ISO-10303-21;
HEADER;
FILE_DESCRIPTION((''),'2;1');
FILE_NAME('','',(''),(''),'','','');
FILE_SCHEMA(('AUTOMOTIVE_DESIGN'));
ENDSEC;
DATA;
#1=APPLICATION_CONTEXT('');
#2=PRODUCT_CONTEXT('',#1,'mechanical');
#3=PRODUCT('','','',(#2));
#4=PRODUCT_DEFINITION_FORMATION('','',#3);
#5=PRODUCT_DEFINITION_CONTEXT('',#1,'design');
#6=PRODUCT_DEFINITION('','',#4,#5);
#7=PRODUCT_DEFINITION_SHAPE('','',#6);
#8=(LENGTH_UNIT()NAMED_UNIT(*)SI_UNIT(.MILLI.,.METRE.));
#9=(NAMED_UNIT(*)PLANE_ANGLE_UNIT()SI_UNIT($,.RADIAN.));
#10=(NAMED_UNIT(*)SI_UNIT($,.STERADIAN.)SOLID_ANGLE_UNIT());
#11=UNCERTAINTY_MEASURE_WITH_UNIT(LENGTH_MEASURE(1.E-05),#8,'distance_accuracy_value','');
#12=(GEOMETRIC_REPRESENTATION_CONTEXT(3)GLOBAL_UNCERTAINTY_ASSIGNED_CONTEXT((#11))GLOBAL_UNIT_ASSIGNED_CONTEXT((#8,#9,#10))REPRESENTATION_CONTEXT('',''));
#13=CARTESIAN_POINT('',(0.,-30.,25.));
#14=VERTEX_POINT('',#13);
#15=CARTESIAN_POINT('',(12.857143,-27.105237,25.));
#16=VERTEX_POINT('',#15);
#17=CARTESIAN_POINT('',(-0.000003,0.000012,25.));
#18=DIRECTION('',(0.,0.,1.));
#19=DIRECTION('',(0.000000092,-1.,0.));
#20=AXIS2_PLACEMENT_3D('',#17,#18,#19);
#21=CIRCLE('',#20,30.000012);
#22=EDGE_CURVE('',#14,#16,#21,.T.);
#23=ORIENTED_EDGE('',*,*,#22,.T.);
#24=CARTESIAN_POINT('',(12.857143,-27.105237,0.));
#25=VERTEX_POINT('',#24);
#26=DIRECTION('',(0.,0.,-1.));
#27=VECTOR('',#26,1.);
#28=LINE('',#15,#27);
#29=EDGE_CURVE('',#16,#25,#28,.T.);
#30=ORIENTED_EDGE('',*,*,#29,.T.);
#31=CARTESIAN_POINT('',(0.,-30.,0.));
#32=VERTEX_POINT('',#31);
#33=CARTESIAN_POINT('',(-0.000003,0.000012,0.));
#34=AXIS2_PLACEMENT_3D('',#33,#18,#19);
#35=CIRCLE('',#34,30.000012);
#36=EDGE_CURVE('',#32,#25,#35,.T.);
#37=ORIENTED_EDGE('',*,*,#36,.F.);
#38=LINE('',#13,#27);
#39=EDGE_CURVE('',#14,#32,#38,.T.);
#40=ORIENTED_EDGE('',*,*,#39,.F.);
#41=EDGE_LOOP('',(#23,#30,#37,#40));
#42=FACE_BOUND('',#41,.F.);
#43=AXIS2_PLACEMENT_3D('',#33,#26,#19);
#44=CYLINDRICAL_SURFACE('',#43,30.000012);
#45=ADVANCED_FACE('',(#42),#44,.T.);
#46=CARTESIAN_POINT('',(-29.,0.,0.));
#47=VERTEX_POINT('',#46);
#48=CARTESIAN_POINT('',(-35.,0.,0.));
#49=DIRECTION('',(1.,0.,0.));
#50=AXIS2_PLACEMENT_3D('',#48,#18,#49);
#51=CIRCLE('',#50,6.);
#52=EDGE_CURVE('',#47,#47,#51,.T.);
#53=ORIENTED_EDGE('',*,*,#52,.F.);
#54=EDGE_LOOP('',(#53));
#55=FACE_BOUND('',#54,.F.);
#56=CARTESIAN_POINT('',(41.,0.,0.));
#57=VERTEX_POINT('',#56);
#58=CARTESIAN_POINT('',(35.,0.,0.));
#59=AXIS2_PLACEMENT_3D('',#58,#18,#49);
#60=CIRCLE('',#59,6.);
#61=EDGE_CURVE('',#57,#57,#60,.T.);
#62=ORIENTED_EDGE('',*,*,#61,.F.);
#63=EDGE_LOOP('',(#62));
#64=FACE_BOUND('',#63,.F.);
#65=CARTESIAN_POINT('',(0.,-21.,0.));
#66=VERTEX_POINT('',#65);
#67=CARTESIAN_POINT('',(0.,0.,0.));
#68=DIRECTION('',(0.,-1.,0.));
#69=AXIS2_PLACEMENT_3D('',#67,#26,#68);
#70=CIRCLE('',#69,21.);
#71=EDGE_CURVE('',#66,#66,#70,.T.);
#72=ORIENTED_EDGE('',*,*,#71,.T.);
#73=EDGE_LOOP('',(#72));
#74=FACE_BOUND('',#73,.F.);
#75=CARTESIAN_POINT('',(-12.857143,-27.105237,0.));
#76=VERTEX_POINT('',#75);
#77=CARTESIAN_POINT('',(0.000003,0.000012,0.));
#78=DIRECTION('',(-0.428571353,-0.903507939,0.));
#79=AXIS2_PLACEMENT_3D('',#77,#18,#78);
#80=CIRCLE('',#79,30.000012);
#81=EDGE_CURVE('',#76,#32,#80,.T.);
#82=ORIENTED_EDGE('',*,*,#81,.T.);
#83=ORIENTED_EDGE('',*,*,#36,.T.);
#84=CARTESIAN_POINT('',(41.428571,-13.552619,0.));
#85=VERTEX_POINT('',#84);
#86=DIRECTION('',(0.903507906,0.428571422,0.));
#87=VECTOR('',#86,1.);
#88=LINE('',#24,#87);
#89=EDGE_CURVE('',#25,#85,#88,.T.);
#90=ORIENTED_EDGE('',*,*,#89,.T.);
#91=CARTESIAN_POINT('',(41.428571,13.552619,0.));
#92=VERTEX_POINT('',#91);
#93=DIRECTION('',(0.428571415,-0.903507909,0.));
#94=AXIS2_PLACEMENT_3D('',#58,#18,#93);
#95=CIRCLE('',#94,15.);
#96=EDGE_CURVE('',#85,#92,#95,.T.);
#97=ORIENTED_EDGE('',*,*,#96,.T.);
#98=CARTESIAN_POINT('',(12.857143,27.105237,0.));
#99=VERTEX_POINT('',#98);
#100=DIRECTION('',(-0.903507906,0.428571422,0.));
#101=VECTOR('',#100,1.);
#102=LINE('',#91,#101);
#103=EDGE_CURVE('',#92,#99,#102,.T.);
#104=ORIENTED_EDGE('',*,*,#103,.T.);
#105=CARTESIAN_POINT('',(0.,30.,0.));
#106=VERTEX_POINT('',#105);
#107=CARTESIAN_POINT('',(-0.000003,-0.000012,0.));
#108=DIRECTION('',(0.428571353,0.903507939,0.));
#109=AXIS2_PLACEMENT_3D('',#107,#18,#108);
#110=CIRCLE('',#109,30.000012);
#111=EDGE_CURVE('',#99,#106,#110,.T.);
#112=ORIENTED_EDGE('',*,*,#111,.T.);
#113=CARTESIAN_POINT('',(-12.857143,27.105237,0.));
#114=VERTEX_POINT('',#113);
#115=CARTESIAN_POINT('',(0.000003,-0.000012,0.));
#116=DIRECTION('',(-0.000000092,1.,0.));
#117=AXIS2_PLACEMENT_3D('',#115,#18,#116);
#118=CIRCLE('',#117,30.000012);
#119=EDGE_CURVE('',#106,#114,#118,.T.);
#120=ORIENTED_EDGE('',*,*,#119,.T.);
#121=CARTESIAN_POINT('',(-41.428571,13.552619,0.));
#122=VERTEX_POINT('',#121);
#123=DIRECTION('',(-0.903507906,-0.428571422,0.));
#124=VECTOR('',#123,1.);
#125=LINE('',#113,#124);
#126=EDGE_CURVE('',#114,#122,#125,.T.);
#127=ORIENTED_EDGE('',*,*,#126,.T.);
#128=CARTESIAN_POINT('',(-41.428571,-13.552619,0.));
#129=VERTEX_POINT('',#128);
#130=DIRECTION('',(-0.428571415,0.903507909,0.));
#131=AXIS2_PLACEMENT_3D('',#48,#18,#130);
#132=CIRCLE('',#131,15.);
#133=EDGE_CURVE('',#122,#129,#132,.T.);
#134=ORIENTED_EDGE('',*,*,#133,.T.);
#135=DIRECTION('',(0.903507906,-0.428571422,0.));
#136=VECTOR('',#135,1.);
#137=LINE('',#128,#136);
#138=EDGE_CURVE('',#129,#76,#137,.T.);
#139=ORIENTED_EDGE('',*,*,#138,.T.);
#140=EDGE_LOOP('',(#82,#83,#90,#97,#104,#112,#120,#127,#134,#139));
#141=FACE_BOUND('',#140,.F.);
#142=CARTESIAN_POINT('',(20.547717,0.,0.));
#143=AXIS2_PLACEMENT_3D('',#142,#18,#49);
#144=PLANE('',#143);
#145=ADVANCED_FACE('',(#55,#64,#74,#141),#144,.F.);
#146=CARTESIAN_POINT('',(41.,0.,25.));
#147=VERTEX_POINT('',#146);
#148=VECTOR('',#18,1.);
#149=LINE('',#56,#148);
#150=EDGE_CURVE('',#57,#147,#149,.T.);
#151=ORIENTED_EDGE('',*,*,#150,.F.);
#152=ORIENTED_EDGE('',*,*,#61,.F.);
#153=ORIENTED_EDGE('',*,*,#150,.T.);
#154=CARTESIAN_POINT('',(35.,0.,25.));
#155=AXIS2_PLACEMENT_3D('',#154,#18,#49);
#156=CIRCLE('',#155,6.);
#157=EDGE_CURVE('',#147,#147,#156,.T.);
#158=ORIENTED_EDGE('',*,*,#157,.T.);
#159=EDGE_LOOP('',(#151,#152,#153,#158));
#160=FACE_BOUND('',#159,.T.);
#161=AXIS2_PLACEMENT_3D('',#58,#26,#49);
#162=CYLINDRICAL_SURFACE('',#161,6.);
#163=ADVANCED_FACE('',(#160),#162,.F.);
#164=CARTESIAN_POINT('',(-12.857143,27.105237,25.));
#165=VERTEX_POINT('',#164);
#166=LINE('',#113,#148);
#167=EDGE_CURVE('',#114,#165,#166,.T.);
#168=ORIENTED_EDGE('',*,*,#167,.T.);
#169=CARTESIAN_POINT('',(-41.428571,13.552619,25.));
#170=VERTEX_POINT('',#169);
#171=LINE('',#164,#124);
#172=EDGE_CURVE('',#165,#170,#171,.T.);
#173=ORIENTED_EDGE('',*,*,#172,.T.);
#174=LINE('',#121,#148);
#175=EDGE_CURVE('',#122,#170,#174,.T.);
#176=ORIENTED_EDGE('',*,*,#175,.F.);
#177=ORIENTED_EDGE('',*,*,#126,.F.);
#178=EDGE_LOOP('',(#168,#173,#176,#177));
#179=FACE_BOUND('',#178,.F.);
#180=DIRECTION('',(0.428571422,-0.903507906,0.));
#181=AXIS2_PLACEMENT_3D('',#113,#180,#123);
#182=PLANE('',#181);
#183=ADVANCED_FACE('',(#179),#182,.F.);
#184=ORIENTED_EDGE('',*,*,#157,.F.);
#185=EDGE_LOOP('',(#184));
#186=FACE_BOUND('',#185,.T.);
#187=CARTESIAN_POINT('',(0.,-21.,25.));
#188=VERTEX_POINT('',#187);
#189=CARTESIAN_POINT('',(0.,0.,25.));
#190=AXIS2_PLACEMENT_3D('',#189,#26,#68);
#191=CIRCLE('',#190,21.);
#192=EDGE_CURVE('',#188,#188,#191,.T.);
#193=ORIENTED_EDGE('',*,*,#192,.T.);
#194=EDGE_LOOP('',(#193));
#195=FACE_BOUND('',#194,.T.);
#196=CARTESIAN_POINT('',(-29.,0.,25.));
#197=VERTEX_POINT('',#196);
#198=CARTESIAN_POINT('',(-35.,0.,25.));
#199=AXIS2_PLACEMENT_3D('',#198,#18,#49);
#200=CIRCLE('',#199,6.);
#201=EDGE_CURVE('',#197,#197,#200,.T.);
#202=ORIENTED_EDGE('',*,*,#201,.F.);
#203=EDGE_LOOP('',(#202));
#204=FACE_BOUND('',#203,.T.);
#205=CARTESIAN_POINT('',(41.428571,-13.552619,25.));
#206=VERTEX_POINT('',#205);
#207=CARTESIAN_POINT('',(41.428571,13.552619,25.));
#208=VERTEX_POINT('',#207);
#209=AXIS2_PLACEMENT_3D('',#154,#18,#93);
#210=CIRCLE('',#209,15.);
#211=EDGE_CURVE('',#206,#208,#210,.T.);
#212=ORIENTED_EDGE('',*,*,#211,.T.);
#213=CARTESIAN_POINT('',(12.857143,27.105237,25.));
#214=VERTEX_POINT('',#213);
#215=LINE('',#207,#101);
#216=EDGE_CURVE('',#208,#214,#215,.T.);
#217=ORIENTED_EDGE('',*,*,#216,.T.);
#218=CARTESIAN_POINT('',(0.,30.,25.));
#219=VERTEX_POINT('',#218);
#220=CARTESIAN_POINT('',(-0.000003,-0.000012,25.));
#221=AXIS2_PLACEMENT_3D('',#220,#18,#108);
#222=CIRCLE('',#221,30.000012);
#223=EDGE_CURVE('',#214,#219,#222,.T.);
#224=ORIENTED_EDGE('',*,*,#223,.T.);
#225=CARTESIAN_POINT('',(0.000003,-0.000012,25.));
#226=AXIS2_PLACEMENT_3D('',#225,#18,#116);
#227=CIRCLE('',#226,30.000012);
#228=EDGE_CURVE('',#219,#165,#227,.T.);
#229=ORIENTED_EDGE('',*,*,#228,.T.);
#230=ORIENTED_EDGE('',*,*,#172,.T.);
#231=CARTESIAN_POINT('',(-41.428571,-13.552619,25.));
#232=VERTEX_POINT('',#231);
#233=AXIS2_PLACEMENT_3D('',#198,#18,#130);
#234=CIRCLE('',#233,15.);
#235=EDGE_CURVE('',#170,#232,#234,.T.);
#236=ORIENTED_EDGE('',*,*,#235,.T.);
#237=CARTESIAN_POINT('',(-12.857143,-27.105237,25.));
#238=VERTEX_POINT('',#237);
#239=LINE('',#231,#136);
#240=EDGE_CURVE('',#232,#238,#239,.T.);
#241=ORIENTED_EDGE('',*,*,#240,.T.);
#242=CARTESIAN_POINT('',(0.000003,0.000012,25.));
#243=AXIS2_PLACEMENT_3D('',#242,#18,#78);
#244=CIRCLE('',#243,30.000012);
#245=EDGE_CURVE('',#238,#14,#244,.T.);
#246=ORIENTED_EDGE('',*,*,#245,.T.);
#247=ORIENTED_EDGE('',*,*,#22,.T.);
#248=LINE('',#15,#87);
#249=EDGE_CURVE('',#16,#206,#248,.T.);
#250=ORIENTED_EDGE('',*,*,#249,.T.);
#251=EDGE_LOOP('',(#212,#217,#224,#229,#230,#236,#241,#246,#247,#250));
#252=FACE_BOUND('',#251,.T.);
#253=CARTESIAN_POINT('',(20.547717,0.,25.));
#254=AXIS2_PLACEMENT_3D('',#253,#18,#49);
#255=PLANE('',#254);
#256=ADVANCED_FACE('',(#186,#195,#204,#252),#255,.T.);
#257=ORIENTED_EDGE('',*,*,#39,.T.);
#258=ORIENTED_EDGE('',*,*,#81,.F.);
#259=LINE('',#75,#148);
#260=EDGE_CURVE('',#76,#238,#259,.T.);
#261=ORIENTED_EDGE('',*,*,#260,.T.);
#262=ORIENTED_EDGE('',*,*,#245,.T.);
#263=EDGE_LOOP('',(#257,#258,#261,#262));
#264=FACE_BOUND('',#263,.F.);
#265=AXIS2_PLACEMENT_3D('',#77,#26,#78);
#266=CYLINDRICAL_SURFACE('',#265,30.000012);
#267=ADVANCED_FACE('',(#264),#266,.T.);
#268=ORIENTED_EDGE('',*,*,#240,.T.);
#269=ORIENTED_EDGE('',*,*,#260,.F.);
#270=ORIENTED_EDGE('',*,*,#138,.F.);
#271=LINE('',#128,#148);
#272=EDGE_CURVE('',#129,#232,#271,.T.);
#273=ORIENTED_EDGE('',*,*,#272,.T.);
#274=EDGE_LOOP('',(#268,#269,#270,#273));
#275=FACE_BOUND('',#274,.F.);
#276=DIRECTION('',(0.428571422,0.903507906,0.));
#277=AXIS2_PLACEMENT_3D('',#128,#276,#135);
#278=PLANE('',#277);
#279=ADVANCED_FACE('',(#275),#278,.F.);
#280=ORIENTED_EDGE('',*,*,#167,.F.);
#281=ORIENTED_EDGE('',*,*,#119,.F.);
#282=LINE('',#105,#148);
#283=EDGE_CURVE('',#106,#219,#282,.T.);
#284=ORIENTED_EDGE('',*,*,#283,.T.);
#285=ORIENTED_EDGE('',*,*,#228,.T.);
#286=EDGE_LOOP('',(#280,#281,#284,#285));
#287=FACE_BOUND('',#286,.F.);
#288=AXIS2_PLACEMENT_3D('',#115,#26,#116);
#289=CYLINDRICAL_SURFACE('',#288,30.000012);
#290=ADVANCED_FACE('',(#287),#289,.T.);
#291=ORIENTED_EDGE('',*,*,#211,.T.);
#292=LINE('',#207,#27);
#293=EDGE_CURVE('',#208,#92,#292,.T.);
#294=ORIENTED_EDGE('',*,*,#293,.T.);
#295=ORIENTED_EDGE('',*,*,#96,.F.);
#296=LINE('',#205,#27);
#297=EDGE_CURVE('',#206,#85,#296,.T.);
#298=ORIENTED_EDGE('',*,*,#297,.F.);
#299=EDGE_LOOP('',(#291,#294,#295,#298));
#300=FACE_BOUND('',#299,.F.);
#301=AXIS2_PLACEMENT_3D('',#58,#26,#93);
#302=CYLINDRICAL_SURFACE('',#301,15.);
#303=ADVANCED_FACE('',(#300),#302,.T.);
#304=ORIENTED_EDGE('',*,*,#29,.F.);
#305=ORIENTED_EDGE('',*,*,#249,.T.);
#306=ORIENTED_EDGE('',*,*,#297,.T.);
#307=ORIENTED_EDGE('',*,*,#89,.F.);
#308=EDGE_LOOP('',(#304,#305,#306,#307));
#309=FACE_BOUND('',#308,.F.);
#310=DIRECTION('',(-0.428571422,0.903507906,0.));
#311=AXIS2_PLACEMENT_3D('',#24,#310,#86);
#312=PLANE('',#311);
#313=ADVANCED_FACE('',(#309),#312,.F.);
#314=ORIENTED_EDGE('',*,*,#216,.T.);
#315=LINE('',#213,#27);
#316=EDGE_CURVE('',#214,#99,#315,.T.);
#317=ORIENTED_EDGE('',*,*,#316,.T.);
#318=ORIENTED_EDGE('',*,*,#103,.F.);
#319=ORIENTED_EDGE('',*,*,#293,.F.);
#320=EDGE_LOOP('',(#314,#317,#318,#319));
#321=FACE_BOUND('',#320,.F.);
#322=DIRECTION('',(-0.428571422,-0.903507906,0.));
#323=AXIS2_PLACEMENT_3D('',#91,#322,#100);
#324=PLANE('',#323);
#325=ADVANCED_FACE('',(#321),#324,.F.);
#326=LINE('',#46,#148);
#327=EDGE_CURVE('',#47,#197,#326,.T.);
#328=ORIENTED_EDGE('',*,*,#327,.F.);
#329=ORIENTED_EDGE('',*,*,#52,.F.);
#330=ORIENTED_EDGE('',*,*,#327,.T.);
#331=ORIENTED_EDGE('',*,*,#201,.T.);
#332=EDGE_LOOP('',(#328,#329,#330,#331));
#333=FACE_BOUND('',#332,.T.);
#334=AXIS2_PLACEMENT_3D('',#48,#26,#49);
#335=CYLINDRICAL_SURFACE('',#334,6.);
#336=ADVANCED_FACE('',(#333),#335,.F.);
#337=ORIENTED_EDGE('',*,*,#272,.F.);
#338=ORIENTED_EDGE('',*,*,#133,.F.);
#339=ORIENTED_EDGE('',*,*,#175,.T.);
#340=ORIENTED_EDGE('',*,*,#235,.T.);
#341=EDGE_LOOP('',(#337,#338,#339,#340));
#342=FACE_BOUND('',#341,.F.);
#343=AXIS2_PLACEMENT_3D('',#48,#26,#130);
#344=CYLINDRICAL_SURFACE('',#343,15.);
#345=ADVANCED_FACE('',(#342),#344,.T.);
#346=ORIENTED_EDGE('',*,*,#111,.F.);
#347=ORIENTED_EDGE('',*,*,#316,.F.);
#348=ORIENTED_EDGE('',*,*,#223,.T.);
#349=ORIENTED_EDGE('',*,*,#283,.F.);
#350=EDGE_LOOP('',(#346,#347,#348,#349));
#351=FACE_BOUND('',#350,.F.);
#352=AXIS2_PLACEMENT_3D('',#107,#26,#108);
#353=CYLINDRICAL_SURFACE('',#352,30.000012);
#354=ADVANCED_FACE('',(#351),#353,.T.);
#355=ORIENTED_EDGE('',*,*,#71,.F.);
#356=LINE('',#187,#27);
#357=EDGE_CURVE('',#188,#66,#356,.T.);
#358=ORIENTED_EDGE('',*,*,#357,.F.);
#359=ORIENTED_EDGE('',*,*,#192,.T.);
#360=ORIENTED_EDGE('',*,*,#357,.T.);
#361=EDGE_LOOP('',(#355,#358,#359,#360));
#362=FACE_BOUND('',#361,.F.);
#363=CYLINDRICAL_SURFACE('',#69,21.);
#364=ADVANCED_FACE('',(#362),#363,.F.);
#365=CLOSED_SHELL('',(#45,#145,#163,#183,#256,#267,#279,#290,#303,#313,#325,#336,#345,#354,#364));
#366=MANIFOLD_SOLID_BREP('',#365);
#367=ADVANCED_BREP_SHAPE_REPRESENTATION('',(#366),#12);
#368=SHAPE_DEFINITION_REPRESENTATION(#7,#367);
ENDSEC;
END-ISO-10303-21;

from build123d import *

# Parameters (mm, degrees)
F0_R     = 6
F1_DEPTH = 10
F2_DEPTH = 25


with BuildPart() as f1:
    # F0 (on Top) → F1 (new body)
    with BuildSketch(Plane.XY):
        with BuildLine():
            ThreePointArc((0, 21), (21, 0), (0, -21))
            Line((0, -21), (0, -30))
            ThreePointArc((0, -30), (6.589495, -29.267363), (12.857143, -27.105237))
            Line((12.857143, -27.105237), (41.428571, -13.552619))
            ThreePointArc((41.428571, -13.552619), (50, 0), (41.428571, 13.552619))
            Line((41.428571, 13.552619), (12.857143, 27.105237))
            ThreePointArc((12.857143, 27.105237), (6.589495, 29.267363), (0, 30))
            Line((0, 30), (0, 21))
        make_face()
        with Locations((35, 0)):
            Circle(F0_R, mode=Mode.SUBTRACT)
        with BuildLine():
            Line((0, -30), (0, -21))
            ThreePointArc((0, -21), (-21, 0), (0, 21))
            Line((0, 21), (0, 30))
            ThreePointArc((0, 30), (-6.589495, 29.267363), (-12.857143, 27.105237))
            Line((-12.857143, 27.105237), (-41.428571, 13.552619))
            ThreePointArc((-41.428571, 13.552619), (-50, 0), (-41.428571, -13.552619))
            Line((-41.428571, -13.552619), (-12.857143, -27.105237))
            ThreePointArc((-12.857143, -27.105237), (-6.589495, -29.267363), (0, -30))
        make_face()
        with Locations((-35, 0)):
            Circle(F0_R, mode=Mode.SUBTRACT)
    extrude(amount=F1_DEPTH)

    # F0 (on Top) → F2 (join)
    with BuildSketch(Plane.XY):
        with BuildLine():
            ThreePointArc((0, 21), (21, 0), (0, -21))
            Line((0, -21), (0, -30))
            ThreePointArc((0, -30), (6.589495, -29.267363), (12.857143, -27.105237))
            Line((12.857143, -27.105237), (41.428571, -13.552619))
            ThreePointArc((41.428571, -13.552619), (50, 0), (41.428571, 13.552619))
            Line((41.428571, 13.552619), (12.857143, 27.105237))
            ThreePointArc((12.857143, 27.105237), (6.589495, 29.267363), (0, 30))
            Line((0, 30), (0, 21))
        make_face()
        with Locations((35, 0)):
            Circle(F0_R, mode=Mode.SUBTRACT)
        with BuildLine():
            Line((0, -30), (0, -21))
            ThreePointArc((0, -21), (-21, 0), (0, 21))
            Line((0, 21), (0, 30))
            ThreePointArc((0, 30), (-6.589495, 29.267363), (-12.857143, 27.105237))
            Line((-12.857143, 27.105237), (-41.428571, 13.552619))
            ThreePointArc((-41.428571, 13.552619), (-50, 0), (-41.428571, -13.552619))
            Line((-41.428571, -13.552619), (-12.857143, -27.105237))
            ThreePointArc((-12.857143, -27.105237), (-6.589495, -29.267363), (0, -30))
        make_face()
        with Locations((-35, 0)):
            Circle(F0_R, mode=Mode.SUBTRACT)
    extrude(amount=F2_DEPTH)


solid = f1.part
